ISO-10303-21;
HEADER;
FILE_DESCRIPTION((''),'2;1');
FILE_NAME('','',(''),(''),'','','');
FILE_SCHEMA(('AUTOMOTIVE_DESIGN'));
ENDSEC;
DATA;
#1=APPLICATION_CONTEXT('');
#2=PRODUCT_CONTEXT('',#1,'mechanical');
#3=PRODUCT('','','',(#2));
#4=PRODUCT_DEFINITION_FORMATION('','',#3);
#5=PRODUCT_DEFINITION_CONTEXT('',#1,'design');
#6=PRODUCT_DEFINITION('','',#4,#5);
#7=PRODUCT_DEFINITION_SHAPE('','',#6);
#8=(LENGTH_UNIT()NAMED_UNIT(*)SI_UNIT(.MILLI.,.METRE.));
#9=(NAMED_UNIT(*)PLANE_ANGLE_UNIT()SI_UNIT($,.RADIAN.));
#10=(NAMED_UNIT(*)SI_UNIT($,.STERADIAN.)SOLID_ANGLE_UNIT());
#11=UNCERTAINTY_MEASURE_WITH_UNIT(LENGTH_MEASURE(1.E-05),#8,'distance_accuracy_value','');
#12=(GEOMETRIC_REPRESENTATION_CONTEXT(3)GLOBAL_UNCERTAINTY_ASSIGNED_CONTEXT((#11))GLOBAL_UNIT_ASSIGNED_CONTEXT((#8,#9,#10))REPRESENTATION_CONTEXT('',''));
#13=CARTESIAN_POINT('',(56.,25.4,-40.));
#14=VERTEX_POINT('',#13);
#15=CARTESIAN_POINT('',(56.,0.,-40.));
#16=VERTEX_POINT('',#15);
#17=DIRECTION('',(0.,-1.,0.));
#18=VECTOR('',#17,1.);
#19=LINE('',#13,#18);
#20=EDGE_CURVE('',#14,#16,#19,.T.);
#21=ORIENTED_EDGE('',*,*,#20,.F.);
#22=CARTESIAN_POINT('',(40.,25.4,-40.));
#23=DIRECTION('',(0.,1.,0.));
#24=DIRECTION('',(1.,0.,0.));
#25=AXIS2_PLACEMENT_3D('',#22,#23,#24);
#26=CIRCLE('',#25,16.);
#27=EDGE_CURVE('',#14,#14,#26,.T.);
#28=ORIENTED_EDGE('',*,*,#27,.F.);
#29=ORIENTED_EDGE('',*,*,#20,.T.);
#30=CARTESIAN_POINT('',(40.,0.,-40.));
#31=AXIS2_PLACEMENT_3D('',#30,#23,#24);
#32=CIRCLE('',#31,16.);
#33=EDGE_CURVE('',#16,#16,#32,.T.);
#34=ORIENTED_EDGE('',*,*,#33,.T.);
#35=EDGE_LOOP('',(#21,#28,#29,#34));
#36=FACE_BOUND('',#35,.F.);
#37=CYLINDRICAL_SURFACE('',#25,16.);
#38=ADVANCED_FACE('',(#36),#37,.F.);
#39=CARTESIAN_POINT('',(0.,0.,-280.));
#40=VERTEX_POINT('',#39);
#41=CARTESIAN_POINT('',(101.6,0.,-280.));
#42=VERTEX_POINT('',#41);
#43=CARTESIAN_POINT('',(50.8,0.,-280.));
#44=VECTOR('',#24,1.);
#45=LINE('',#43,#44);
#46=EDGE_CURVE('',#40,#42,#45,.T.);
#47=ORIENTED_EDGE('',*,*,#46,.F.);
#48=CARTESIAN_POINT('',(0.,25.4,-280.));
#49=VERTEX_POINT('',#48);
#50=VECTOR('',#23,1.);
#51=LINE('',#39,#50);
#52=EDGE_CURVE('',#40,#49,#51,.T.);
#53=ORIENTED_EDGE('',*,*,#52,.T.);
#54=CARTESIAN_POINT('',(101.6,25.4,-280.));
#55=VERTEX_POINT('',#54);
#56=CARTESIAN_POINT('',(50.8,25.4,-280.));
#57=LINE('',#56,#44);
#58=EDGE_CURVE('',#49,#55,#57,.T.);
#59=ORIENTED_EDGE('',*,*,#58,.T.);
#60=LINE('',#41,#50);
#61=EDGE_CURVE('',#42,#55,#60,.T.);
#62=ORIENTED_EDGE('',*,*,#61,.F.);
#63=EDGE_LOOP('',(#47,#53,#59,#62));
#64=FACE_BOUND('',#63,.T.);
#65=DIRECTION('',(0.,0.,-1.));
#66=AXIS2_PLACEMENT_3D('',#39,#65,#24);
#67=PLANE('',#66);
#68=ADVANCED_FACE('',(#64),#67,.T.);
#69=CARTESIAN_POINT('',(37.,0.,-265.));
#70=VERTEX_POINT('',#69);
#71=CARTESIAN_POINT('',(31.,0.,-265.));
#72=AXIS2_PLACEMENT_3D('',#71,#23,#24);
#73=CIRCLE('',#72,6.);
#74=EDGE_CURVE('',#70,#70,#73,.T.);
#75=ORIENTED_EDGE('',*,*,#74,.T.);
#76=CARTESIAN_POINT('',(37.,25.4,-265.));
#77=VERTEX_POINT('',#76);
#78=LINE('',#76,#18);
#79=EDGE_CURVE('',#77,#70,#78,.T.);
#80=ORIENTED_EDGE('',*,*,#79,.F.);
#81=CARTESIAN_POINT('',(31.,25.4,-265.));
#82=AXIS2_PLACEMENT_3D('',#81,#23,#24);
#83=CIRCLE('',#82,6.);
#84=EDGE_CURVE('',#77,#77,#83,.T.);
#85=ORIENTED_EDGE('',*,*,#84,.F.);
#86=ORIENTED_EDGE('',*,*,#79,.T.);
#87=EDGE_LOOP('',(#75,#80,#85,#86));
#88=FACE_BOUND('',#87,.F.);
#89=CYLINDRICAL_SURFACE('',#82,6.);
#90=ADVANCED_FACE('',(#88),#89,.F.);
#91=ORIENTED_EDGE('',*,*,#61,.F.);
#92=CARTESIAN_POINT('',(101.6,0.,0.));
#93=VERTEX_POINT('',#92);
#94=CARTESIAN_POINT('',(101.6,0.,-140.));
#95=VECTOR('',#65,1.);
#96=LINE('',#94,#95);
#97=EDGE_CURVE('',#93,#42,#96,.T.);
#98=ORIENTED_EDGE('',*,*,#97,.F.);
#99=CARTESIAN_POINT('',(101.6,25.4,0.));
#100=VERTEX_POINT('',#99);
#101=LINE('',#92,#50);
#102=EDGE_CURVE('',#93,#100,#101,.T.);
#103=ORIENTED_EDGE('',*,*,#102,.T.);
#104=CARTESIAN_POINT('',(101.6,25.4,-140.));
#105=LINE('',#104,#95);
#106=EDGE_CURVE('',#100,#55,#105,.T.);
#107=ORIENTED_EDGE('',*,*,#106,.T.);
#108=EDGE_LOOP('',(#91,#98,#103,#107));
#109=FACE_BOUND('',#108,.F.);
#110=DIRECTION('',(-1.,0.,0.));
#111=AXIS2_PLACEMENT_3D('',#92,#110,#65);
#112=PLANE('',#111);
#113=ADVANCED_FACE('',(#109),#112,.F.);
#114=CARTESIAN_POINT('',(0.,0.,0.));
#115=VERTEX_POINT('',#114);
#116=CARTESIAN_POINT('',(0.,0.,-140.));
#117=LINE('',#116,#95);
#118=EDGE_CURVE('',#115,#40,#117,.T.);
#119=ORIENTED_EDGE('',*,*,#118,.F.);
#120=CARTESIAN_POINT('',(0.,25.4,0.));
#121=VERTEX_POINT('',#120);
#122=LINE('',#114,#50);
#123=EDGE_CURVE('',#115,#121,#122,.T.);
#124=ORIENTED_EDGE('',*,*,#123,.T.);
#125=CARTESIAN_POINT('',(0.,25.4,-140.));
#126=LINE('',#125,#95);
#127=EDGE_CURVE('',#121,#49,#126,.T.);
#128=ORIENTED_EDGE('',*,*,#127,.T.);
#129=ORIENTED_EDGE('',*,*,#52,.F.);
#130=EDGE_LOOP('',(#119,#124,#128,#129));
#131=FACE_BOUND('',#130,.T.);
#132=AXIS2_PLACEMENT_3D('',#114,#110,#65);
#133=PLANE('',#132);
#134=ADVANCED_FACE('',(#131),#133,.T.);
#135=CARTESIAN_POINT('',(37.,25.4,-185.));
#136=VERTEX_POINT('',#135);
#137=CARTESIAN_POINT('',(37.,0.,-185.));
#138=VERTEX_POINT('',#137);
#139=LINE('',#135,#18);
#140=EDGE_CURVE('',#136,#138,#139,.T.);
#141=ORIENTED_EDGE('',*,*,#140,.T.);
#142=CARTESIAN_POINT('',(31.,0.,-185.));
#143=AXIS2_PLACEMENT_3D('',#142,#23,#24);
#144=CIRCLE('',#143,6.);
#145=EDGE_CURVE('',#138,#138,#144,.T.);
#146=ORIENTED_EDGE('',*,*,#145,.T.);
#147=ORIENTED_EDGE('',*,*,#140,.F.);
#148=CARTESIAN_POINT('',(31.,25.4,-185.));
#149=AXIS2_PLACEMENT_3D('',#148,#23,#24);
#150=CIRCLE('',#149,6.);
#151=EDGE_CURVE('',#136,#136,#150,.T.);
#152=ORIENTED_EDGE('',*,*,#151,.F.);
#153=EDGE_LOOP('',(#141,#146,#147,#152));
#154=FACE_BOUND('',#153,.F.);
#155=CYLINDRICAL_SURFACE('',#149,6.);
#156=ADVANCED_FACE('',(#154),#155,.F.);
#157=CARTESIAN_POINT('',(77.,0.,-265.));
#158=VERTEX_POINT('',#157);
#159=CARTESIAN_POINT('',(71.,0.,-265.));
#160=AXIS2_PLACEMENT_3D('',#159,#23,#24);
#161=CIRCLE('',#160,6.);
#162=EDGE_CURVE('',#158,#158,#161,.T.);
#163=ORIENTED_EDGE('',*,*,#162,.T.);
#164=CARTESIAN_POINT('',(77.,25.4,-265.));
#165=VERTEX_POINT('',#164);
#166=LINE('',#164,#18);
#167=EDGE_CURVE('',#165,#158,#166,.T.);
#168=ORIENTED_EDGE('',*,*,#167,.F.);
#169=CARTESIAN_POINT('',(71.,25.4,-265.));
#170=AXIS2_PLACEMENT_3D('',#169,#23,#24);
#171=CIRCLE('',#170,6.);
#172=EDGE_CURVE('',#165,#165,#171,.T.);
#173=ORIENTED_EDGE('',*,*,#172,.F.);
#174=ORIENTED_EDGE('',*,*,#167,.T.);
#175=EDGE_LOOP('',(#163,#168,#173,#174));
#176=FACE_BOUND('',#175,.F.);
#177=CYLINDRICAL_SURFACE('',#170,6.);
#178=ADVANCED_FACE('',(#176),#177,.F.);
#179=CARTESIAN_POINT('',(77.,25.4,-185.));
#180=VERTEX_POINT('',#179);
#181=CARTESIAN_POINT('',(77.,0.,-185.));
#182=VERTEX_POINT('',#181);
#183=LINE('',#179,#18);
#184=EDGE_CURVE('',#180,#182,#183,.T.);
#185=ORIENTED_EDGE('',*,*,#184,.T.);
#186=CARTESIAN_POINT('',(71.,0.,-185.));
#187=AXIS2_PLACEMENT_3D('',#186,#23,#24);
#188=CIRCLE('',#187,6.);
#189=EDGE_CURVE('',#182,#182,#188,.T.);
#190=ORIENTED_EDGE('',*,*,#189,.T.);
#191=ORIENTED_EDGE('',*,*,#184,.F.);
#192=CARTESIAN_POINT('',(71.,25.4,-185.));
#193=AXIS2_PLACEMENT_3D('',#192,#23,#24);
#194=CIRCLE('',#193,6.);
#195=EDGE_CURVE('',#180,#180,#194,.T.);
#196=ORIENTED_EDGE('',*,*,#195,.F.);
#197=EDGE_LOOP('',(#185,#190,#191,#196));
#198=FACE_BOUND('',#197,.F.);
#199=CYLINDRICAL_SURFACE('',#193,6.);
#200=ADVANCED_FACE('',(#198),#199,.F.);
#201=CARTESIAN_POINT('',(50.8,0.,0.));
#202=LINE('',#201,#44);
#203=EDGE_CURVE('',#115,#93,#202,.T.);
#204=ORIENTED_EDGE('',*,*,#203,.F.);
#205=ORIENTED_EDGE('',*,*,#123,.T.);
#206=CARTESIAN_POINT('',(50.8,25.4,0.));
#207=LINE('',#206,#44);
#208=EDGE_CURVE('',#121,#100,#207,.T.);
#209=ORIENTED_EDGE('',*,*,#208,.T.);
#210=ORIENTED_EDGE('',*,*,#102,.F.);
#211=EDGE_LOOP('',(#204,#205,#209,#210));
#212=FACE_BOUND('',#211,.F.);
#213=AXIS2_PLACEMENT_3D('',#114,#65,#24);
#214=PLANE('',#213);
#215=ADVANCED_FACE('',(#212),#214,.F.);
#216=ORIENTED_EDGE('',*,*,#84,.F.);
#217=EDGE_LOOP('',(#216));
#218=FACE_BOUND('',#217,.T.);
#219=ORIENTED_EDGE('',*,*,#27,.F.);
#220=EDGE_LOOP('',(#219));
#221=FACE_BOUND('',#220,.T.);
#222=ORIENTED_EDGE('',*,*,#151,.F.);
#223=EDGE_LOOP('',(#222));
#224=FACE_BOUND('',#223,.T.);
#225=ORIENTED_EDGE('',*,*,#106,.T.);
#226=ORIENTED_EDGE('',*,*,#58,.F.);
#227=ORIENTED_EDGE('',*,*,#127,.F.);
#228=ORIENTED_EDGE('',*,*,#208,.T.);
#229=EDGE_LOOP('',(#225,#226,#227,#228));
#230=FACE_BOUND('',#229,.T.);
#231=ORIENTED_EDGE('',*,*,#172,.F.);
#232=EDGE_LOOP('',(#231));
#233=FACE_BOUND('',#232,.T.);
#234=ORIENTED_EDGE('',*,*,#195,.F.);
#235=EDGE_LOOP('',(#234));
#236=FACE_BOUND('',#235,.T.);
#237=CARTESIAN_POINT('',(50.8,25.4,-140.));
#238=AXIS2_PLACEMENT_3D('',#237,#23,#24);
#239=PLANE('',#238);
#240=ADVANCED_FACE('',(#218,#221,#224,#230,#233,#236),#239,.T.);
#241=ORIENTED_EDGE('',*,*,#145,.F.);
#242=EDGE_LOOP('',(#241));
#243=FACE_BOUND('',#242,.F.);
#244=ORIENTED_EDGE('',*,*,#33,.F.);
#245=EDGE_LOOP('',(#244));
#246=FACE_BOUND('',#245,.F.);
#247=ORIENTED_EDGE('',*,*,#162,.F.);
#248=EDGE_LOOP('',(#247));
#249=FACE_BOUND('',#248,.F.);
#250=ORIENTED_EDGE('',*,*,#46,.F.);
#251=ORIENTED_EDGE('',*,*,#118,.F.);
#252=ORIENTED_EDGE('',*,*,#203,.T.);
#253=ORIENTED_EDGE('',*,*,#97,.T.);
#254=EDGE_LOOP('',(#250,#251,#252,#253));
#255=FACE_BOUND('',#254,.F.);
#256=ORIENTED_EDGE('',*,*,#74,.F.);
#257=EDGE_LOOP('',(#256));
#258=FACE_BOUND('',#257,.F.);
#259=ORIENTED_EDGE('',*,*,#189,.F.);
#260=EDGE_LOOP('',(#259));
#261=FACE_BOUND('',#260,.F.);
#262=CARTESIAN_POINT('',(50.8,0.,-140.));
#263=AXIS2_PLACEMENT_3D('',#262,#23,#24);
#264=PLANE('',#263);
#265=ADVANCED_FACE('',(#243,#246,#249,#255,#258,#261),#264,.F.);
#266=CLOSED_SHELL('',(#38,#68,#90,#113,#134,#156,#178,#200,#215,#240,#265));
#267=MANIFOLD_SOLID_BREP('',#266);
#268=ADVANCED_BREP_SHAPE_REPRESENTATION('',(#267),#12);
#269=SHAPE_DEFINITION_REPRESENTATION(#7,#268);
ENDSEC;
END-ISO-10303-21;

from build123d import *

# Parameters (mm, degrees)
SKETCH2_W           = 101.6
SKETCH2_H           = 280
BOSS_EXTRUDE1_DEPTH = 25.4
SKETCH3_R           = 6
CUT_EXTRUDE1_DEPTH  = 25.4
SKETCH4_R           = 16
CUT_EXTRUDE2_DEPTH  = 25.4


with BuildPart() as part:
    # Sketch2 → Boss-Extrude1 (new body)
    with BuildSketch(Plane(origin=(0, 0, 0), x_dir=(1, 0, 0), z_dir=(0, 1, 0))):
        with Locations((50.8, 140)):
            Rectangle(SKETCH2_W, SKETCH2_H)
    extrude(amount=BOSS_EXTRUDE1_DEPTH)

    # Sketch3 → Cut-Extrude1 (cut)
    with BuildSketch(Plane(origin=(0, 25.4, 0), x_dir=(1, 0, 0), z_dir=(0, 1, 0))):
        with Locations((71, 265)):
            Circle(SKETCH3_R)
        with Locations((31, 265)):
            Circle(SKETCH3_R)
        with Locations((31, 185)):
            Circle(SKETCH3_R)
        with Locations((71, 185)):
            Circle(SKETCH3_R)
    extrude(amount=-CUT_EXTRUDE1_DEPTH, mode=Mode.SUBTRACT)

    # Sketch4 → Cut-Extrude2 (cut)
    with BuildSketch(Plane(origin=(0, 25.4, 0), x_dir=(1, 0, 0), z_dir=(0, 1, 0))):
        with Locations((40, 40)):
            Circle(SKETCH4_R)
    extrude(amount=-CUT_EXTRUDE2_DEPTH, mode=Mode.SUBTRACT)


solid = part.part
